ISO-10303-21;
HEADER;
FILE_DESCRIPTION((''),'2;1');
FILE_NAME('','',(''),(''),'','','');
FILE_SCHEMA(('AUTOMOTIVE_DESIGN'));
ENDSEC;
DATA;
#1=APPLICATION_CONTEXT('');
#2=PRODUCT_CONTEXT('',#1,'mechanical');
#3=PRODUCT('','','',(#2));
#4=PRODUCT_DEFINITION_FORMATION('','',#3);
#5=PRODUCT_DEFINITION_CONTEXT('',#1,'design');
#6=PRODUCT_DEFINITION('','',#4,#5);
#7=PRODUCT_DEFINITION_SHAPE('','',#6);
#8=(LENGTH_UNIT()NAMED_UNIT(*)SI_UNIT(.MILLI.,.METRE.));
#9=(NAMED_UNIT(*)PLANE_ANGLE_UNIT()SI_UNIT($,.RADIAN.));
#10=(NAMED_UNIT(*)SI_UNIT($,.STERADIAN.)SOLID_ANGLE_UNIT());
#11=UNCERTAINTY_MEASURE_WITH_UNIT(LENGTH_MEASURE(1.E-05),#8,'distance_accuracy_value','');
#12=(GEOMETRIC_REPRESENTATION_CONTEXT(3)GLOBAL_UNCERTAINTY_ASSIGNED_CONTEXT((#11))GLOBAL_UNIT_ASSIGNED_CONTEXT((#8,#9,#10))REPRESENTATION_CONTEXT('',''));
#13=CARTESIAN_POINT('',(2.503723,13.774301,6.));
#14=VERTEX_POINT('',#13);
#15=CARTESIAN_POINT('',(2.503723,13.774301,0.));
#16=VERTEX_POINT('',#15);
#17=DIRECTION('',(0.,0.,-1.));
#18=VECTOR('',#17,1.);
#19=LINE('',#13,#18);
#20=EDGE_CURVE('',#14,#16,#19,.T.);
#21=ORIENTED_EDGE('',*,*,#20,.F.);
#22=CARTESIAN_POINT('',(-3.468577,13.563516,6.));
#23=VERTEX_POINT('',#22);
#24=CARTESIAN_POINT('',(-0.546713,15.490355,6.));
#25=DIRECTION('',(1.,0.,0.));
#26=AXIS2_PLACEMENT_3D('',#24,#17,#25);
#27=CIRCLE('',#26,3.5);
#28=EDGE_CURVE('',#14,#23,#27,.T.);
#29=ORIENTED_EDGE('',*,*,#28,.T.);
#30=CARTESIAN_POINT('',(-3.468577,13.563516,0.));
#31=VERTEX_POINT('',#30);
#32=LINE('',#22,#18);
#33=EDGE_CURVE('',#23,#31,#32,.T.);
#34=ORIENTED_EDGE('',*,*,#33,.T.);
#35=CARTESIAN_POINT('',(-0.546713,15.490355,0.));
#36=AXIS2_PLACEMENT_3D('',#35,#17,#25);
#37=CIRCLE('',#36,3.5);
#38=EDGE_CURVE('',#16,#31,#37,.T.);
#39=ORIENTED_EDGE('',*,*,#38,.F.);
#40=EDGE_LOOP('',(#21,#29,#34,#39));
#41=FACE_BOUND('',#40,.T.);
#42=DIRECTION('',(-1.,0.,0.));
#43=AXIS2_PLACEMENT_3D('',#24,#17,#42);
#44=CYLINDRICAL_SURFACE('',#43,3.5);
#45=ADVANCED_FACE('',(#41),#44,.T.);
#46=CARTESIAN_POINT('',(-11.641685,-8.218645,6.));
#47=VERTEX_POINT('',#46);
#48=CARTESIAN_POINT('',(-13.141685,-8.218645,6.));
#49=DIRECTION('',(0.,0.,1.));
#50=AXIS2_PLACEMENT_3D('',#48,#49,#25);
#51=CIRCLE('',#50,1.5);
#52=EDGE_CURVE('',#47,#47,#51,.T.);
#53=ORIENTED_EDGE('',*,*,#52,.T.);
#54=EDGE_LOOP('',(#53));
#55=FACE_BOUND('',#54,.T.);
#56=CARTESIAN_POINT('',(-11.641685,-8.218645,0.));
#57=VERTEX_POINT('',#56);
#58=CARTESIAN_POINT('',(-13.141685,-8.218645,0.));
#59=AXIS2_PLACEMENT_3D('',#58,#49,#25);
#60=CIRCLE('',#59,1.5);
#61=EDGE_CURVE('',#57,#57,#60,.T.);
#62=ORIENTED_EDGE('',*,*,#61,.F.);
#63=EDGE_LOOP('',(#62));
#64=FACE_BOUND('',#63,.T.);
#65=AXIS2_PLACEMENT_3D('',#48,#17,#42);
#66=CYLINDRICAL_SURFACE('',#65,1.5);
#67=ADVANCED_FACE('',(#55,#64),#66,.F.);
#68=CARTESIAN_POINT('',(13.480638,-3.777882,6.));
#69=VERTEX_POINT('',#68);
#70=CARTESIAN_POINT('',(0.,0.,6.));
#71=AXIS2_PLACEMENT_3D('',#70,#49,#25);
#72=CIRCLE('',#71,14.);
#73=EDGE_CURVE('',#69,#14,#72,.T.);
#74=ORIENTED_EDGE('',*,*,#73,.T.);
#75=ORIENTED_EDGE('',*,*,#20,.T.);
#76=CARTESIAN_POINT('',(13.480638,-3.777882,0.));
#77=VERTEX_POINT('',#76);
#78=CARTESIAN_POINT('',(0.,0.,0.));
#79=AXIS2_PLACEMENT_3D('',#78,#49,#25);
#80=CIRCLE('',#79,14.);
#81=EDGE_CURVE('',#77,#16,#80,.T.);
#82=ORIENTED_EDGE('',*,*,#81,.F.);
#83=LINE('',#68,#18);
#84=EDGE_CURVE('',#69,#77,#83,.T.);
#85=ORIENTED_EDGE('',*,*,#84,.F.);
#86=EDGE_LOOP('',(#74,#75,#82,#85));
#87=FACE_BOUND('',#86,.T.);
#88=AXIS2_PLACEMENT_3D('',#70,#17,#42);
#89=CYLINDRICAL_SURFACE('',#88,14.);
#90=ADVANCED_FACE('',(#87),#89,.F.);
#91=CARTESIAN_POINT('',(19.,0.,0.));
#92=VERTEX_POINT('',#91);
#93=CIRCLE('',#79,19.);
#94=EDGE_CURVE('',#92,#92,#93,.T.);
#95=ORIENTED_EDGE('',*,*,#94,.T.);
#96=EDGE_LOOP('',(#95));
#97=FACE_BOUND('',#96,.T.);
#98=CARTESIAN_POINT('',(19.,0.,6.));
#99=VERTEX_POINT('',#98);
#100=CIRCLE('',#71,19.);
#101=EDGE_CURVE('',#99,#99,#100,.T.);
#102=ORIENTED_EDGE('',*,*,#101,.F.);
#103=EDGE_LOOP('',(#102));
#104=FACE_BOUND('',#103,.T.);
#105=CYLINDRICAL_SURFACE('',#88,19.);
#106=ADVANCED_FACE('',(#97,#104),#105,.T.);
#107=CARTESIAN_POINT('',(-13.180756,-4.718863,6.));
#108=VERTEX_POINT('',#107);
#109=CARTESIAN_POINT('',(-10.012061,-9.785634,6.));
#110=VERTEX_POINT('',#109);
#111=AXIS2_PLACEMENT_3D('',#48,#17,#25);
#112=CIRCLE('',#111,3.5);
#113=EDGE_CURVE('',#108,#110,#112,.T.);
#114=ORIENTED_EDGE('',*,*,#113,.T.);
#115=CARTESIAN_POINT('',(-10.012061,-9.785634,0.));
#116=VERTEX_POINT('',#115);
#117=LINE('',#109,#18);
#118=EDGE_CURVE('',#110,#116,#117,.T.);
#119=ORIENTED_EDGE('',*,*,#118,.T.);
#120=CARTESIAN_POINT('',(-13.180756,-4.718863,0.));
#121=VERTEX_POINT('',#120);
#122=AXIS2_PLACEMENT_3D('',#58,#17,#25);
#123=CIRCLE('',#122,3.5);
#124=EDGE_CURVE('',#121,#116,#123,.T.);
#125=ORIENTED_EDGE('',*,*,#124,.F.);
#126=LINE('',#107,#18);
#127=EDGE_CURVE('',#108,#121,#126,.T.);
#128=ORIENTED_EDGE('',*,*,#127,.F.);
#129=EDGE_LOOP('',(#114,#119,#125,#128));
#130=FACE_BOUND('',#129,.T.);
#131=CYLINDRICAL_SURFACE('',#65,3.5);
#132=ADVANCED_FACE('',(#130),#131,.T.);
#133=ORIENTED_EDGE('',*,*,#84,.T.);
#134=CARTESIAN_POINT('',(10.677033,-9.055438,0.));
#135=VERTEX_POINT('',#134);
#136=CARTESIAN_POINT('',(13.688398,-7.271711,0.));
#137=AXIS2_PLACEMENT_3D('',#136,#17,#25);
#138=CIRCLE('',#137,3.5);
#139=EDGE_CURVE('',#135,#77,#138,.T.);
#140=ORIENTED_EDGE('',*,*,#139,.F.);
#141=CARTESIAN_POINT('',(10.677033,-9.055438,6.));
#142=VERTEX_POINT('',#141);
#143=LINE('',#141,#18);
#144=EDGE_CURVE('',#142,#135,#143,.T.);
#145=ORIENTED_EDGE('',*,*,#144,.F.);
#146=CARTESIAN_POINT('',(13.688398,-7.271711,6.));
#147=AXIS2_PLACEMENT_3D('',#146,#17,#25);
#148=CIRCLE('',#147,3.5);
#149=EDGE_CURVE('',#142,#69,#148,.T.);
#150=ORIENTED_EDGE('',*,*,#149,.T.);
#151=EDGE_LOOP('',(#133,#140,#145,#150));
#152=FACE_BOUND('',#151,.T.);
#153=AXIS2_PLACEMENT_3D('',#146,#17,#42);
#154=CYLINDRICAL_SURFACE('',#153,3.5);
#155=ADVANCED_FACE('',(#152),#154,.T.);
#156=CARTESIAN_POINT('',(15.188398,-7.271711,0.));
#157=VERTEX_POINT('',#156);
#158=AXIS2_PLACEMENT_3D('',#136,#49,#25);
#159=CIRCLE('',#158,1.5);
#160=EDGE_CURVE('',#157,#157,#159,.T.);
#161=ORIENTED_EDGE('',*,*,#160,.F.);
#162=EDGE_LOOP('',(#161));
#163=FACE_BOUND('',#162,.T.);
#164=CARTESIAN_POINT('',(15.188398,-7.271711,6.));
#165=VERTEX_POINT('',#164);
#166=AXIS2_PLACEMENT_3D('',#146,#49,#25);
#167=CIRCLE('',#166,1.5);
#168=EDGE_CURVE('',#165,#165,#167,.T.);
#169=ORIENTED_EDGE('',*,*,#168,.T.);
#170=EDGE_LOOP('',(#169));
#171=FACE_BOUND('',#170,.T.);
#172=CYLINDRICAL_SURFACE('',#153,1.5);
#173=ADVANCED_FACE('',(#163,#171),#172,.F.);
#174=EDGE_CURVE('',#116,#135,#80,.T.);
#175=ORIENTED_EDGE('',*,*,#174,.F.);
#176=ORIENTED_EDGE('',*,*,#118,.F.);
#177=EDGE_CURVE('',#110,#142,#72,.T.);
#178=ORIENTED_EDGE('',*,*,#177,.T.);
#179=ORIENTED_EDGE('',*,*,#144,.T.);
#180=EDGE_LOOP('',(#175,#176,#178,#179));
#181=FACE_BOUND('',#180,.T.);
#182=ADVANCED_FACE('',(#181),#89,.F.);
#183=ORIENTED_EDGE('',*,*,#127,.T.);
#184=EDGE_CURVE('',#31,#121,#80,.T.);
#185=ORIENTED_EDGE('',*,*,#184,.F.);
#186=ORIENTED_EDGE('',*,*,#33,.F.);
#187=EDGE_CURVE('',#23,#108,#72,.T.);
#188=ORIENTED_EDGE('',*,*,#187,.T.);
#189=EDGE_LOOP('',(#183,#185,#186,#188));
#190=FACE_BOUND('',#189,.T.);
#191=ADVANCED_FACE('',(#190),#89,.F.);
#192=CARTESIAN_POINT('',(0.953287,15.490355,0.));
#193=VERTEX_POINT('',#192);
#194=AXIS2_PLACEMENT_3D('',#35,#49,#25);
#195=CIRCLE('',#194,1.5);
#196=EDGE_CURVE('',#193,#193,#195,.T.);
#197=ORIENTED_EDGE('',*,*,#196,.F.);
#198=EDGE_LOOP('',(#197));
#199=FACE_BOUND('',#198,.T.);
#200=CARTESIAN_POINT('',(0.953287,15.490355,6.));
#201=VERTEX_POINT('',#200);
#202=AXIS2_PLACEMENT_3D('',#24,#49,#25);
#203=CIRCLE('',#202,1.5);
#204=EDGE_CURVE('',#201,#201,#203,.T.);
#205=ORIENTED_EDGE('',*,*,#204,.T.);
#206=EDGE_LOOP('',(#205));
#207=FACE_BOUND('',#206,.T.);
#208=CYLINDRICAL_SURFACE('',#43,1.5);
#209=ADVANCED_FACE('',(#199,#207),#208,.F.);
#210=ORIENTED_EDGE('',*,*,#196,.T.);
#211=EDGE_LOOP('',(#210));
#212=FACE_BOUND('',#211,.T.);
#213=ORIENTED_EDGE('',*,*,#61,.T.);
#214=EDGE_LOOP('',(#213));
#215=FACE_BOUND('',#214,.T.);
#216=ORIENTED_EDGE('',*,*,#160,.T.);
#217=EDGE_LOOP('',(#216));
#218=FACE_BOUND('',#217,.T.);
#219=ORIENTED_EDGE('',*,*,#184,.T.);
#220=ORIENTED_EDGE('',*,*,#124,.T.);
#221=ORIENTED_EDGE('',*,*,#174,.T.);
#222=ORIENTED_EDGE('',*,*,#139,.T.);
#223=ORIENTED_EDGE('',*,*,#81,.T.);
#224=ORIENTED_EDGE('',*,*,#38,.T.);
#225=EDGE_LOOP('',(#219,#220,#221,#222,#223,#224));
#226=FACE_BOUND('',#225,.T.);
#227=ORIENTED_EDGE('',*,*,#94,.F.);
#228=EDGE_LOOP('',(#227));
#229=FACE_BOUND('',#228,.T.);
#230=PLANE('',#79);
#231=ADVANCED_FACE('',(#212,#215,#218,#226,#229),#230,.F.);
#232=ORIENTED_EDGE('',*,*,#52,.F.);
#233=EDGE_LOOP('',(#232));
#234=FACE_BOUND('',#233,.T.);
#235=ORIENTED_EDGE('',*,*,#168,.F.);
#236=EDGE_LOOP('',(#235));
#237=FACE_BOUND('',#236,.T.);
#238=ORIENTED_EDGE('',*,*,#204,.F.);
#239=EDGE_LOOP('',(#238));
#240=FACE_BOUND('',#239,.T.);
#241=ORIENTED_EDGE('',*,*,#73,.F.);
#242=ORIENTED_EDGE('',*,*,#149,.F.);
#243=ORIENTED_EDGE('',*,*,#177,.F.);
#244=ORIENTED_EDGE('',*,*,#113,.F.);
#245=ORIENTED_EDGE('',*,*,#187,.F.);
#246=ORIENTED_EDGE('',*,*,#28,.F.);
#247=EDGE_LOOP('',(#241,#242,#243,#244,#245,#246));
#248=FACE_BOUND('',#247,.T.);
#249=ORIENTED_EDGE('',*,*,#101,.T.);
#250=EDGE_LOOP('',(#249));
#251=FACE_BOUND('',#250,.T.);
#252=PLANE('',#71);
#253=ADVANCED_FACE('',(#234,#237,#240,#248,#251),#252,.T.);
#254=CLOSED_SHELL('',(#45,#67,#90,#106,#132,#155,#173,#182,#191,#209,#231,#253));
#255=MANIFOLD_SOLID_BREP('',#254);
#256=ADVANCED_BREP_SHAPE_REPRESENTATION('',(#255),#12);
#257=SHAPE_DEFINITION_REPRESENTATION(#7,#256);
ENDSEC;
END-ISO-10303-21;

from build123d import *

# Parameters (mm, degrees)
ESQUISSE1_R        = 19
ESQUISSE1_R_2      = 1.5
BOSS_EXTRU_2_DEPTH = 6


with BuildPart() as part:
    # Esquisse1 → Boss.-Extru.2 (new body)
    with BuildSketch(Plane.XY):
        Circle(ESQUISSE1_R)
        with Locations((-0.546712729, 15.490355231)):
            Circle(ESQUISSE1_R_2, mode=Mode.SUBTRACT)
        with Locations((-13.14168478, -8.218644727)):
            Circle(ESQUISSE1_R_2, mode=Mode.SUBTRACT)
        with Locations((13.688397508, -7.271710504)):
            Circle(ESQUISSE1_R_2, mode=Mode.SUBTRACT)
        with BuildLine():
            ThreePointArc((-3.468577117, 13.56351624), (-0.423261467, 11.992533082), (2.503723019, 13.774301109))
            ThreePointArc((2.503723019, 13.774301109), (11.869908833, 7.423292012), (13.480638187, -3.777882222))
            ThreePointArc((13.480638187, -3.777882222), (10.597469039, -5.629711358), (10.677033171, -9.055438293))
            ThreePointArc((10.677033171, -9.055438293), (0.493805045, -13.991288596), (-10.01206107, -9.785634018))
            ThreePointArc((-10.01206107, -9.785634018), (-10.174207571, -6.362821724), (-13.180756189, -4.718862816))
            ThreePointArc((-13.180756189, -4.718862816), (-12.363713879, 6.567996584), (-3.468577117, 13.56351624))
        make_face(mode=Mode.SUBTRACT)
    extrude(amount=BOSS_EXTRU_2_DEPTH)


solid = part.part
